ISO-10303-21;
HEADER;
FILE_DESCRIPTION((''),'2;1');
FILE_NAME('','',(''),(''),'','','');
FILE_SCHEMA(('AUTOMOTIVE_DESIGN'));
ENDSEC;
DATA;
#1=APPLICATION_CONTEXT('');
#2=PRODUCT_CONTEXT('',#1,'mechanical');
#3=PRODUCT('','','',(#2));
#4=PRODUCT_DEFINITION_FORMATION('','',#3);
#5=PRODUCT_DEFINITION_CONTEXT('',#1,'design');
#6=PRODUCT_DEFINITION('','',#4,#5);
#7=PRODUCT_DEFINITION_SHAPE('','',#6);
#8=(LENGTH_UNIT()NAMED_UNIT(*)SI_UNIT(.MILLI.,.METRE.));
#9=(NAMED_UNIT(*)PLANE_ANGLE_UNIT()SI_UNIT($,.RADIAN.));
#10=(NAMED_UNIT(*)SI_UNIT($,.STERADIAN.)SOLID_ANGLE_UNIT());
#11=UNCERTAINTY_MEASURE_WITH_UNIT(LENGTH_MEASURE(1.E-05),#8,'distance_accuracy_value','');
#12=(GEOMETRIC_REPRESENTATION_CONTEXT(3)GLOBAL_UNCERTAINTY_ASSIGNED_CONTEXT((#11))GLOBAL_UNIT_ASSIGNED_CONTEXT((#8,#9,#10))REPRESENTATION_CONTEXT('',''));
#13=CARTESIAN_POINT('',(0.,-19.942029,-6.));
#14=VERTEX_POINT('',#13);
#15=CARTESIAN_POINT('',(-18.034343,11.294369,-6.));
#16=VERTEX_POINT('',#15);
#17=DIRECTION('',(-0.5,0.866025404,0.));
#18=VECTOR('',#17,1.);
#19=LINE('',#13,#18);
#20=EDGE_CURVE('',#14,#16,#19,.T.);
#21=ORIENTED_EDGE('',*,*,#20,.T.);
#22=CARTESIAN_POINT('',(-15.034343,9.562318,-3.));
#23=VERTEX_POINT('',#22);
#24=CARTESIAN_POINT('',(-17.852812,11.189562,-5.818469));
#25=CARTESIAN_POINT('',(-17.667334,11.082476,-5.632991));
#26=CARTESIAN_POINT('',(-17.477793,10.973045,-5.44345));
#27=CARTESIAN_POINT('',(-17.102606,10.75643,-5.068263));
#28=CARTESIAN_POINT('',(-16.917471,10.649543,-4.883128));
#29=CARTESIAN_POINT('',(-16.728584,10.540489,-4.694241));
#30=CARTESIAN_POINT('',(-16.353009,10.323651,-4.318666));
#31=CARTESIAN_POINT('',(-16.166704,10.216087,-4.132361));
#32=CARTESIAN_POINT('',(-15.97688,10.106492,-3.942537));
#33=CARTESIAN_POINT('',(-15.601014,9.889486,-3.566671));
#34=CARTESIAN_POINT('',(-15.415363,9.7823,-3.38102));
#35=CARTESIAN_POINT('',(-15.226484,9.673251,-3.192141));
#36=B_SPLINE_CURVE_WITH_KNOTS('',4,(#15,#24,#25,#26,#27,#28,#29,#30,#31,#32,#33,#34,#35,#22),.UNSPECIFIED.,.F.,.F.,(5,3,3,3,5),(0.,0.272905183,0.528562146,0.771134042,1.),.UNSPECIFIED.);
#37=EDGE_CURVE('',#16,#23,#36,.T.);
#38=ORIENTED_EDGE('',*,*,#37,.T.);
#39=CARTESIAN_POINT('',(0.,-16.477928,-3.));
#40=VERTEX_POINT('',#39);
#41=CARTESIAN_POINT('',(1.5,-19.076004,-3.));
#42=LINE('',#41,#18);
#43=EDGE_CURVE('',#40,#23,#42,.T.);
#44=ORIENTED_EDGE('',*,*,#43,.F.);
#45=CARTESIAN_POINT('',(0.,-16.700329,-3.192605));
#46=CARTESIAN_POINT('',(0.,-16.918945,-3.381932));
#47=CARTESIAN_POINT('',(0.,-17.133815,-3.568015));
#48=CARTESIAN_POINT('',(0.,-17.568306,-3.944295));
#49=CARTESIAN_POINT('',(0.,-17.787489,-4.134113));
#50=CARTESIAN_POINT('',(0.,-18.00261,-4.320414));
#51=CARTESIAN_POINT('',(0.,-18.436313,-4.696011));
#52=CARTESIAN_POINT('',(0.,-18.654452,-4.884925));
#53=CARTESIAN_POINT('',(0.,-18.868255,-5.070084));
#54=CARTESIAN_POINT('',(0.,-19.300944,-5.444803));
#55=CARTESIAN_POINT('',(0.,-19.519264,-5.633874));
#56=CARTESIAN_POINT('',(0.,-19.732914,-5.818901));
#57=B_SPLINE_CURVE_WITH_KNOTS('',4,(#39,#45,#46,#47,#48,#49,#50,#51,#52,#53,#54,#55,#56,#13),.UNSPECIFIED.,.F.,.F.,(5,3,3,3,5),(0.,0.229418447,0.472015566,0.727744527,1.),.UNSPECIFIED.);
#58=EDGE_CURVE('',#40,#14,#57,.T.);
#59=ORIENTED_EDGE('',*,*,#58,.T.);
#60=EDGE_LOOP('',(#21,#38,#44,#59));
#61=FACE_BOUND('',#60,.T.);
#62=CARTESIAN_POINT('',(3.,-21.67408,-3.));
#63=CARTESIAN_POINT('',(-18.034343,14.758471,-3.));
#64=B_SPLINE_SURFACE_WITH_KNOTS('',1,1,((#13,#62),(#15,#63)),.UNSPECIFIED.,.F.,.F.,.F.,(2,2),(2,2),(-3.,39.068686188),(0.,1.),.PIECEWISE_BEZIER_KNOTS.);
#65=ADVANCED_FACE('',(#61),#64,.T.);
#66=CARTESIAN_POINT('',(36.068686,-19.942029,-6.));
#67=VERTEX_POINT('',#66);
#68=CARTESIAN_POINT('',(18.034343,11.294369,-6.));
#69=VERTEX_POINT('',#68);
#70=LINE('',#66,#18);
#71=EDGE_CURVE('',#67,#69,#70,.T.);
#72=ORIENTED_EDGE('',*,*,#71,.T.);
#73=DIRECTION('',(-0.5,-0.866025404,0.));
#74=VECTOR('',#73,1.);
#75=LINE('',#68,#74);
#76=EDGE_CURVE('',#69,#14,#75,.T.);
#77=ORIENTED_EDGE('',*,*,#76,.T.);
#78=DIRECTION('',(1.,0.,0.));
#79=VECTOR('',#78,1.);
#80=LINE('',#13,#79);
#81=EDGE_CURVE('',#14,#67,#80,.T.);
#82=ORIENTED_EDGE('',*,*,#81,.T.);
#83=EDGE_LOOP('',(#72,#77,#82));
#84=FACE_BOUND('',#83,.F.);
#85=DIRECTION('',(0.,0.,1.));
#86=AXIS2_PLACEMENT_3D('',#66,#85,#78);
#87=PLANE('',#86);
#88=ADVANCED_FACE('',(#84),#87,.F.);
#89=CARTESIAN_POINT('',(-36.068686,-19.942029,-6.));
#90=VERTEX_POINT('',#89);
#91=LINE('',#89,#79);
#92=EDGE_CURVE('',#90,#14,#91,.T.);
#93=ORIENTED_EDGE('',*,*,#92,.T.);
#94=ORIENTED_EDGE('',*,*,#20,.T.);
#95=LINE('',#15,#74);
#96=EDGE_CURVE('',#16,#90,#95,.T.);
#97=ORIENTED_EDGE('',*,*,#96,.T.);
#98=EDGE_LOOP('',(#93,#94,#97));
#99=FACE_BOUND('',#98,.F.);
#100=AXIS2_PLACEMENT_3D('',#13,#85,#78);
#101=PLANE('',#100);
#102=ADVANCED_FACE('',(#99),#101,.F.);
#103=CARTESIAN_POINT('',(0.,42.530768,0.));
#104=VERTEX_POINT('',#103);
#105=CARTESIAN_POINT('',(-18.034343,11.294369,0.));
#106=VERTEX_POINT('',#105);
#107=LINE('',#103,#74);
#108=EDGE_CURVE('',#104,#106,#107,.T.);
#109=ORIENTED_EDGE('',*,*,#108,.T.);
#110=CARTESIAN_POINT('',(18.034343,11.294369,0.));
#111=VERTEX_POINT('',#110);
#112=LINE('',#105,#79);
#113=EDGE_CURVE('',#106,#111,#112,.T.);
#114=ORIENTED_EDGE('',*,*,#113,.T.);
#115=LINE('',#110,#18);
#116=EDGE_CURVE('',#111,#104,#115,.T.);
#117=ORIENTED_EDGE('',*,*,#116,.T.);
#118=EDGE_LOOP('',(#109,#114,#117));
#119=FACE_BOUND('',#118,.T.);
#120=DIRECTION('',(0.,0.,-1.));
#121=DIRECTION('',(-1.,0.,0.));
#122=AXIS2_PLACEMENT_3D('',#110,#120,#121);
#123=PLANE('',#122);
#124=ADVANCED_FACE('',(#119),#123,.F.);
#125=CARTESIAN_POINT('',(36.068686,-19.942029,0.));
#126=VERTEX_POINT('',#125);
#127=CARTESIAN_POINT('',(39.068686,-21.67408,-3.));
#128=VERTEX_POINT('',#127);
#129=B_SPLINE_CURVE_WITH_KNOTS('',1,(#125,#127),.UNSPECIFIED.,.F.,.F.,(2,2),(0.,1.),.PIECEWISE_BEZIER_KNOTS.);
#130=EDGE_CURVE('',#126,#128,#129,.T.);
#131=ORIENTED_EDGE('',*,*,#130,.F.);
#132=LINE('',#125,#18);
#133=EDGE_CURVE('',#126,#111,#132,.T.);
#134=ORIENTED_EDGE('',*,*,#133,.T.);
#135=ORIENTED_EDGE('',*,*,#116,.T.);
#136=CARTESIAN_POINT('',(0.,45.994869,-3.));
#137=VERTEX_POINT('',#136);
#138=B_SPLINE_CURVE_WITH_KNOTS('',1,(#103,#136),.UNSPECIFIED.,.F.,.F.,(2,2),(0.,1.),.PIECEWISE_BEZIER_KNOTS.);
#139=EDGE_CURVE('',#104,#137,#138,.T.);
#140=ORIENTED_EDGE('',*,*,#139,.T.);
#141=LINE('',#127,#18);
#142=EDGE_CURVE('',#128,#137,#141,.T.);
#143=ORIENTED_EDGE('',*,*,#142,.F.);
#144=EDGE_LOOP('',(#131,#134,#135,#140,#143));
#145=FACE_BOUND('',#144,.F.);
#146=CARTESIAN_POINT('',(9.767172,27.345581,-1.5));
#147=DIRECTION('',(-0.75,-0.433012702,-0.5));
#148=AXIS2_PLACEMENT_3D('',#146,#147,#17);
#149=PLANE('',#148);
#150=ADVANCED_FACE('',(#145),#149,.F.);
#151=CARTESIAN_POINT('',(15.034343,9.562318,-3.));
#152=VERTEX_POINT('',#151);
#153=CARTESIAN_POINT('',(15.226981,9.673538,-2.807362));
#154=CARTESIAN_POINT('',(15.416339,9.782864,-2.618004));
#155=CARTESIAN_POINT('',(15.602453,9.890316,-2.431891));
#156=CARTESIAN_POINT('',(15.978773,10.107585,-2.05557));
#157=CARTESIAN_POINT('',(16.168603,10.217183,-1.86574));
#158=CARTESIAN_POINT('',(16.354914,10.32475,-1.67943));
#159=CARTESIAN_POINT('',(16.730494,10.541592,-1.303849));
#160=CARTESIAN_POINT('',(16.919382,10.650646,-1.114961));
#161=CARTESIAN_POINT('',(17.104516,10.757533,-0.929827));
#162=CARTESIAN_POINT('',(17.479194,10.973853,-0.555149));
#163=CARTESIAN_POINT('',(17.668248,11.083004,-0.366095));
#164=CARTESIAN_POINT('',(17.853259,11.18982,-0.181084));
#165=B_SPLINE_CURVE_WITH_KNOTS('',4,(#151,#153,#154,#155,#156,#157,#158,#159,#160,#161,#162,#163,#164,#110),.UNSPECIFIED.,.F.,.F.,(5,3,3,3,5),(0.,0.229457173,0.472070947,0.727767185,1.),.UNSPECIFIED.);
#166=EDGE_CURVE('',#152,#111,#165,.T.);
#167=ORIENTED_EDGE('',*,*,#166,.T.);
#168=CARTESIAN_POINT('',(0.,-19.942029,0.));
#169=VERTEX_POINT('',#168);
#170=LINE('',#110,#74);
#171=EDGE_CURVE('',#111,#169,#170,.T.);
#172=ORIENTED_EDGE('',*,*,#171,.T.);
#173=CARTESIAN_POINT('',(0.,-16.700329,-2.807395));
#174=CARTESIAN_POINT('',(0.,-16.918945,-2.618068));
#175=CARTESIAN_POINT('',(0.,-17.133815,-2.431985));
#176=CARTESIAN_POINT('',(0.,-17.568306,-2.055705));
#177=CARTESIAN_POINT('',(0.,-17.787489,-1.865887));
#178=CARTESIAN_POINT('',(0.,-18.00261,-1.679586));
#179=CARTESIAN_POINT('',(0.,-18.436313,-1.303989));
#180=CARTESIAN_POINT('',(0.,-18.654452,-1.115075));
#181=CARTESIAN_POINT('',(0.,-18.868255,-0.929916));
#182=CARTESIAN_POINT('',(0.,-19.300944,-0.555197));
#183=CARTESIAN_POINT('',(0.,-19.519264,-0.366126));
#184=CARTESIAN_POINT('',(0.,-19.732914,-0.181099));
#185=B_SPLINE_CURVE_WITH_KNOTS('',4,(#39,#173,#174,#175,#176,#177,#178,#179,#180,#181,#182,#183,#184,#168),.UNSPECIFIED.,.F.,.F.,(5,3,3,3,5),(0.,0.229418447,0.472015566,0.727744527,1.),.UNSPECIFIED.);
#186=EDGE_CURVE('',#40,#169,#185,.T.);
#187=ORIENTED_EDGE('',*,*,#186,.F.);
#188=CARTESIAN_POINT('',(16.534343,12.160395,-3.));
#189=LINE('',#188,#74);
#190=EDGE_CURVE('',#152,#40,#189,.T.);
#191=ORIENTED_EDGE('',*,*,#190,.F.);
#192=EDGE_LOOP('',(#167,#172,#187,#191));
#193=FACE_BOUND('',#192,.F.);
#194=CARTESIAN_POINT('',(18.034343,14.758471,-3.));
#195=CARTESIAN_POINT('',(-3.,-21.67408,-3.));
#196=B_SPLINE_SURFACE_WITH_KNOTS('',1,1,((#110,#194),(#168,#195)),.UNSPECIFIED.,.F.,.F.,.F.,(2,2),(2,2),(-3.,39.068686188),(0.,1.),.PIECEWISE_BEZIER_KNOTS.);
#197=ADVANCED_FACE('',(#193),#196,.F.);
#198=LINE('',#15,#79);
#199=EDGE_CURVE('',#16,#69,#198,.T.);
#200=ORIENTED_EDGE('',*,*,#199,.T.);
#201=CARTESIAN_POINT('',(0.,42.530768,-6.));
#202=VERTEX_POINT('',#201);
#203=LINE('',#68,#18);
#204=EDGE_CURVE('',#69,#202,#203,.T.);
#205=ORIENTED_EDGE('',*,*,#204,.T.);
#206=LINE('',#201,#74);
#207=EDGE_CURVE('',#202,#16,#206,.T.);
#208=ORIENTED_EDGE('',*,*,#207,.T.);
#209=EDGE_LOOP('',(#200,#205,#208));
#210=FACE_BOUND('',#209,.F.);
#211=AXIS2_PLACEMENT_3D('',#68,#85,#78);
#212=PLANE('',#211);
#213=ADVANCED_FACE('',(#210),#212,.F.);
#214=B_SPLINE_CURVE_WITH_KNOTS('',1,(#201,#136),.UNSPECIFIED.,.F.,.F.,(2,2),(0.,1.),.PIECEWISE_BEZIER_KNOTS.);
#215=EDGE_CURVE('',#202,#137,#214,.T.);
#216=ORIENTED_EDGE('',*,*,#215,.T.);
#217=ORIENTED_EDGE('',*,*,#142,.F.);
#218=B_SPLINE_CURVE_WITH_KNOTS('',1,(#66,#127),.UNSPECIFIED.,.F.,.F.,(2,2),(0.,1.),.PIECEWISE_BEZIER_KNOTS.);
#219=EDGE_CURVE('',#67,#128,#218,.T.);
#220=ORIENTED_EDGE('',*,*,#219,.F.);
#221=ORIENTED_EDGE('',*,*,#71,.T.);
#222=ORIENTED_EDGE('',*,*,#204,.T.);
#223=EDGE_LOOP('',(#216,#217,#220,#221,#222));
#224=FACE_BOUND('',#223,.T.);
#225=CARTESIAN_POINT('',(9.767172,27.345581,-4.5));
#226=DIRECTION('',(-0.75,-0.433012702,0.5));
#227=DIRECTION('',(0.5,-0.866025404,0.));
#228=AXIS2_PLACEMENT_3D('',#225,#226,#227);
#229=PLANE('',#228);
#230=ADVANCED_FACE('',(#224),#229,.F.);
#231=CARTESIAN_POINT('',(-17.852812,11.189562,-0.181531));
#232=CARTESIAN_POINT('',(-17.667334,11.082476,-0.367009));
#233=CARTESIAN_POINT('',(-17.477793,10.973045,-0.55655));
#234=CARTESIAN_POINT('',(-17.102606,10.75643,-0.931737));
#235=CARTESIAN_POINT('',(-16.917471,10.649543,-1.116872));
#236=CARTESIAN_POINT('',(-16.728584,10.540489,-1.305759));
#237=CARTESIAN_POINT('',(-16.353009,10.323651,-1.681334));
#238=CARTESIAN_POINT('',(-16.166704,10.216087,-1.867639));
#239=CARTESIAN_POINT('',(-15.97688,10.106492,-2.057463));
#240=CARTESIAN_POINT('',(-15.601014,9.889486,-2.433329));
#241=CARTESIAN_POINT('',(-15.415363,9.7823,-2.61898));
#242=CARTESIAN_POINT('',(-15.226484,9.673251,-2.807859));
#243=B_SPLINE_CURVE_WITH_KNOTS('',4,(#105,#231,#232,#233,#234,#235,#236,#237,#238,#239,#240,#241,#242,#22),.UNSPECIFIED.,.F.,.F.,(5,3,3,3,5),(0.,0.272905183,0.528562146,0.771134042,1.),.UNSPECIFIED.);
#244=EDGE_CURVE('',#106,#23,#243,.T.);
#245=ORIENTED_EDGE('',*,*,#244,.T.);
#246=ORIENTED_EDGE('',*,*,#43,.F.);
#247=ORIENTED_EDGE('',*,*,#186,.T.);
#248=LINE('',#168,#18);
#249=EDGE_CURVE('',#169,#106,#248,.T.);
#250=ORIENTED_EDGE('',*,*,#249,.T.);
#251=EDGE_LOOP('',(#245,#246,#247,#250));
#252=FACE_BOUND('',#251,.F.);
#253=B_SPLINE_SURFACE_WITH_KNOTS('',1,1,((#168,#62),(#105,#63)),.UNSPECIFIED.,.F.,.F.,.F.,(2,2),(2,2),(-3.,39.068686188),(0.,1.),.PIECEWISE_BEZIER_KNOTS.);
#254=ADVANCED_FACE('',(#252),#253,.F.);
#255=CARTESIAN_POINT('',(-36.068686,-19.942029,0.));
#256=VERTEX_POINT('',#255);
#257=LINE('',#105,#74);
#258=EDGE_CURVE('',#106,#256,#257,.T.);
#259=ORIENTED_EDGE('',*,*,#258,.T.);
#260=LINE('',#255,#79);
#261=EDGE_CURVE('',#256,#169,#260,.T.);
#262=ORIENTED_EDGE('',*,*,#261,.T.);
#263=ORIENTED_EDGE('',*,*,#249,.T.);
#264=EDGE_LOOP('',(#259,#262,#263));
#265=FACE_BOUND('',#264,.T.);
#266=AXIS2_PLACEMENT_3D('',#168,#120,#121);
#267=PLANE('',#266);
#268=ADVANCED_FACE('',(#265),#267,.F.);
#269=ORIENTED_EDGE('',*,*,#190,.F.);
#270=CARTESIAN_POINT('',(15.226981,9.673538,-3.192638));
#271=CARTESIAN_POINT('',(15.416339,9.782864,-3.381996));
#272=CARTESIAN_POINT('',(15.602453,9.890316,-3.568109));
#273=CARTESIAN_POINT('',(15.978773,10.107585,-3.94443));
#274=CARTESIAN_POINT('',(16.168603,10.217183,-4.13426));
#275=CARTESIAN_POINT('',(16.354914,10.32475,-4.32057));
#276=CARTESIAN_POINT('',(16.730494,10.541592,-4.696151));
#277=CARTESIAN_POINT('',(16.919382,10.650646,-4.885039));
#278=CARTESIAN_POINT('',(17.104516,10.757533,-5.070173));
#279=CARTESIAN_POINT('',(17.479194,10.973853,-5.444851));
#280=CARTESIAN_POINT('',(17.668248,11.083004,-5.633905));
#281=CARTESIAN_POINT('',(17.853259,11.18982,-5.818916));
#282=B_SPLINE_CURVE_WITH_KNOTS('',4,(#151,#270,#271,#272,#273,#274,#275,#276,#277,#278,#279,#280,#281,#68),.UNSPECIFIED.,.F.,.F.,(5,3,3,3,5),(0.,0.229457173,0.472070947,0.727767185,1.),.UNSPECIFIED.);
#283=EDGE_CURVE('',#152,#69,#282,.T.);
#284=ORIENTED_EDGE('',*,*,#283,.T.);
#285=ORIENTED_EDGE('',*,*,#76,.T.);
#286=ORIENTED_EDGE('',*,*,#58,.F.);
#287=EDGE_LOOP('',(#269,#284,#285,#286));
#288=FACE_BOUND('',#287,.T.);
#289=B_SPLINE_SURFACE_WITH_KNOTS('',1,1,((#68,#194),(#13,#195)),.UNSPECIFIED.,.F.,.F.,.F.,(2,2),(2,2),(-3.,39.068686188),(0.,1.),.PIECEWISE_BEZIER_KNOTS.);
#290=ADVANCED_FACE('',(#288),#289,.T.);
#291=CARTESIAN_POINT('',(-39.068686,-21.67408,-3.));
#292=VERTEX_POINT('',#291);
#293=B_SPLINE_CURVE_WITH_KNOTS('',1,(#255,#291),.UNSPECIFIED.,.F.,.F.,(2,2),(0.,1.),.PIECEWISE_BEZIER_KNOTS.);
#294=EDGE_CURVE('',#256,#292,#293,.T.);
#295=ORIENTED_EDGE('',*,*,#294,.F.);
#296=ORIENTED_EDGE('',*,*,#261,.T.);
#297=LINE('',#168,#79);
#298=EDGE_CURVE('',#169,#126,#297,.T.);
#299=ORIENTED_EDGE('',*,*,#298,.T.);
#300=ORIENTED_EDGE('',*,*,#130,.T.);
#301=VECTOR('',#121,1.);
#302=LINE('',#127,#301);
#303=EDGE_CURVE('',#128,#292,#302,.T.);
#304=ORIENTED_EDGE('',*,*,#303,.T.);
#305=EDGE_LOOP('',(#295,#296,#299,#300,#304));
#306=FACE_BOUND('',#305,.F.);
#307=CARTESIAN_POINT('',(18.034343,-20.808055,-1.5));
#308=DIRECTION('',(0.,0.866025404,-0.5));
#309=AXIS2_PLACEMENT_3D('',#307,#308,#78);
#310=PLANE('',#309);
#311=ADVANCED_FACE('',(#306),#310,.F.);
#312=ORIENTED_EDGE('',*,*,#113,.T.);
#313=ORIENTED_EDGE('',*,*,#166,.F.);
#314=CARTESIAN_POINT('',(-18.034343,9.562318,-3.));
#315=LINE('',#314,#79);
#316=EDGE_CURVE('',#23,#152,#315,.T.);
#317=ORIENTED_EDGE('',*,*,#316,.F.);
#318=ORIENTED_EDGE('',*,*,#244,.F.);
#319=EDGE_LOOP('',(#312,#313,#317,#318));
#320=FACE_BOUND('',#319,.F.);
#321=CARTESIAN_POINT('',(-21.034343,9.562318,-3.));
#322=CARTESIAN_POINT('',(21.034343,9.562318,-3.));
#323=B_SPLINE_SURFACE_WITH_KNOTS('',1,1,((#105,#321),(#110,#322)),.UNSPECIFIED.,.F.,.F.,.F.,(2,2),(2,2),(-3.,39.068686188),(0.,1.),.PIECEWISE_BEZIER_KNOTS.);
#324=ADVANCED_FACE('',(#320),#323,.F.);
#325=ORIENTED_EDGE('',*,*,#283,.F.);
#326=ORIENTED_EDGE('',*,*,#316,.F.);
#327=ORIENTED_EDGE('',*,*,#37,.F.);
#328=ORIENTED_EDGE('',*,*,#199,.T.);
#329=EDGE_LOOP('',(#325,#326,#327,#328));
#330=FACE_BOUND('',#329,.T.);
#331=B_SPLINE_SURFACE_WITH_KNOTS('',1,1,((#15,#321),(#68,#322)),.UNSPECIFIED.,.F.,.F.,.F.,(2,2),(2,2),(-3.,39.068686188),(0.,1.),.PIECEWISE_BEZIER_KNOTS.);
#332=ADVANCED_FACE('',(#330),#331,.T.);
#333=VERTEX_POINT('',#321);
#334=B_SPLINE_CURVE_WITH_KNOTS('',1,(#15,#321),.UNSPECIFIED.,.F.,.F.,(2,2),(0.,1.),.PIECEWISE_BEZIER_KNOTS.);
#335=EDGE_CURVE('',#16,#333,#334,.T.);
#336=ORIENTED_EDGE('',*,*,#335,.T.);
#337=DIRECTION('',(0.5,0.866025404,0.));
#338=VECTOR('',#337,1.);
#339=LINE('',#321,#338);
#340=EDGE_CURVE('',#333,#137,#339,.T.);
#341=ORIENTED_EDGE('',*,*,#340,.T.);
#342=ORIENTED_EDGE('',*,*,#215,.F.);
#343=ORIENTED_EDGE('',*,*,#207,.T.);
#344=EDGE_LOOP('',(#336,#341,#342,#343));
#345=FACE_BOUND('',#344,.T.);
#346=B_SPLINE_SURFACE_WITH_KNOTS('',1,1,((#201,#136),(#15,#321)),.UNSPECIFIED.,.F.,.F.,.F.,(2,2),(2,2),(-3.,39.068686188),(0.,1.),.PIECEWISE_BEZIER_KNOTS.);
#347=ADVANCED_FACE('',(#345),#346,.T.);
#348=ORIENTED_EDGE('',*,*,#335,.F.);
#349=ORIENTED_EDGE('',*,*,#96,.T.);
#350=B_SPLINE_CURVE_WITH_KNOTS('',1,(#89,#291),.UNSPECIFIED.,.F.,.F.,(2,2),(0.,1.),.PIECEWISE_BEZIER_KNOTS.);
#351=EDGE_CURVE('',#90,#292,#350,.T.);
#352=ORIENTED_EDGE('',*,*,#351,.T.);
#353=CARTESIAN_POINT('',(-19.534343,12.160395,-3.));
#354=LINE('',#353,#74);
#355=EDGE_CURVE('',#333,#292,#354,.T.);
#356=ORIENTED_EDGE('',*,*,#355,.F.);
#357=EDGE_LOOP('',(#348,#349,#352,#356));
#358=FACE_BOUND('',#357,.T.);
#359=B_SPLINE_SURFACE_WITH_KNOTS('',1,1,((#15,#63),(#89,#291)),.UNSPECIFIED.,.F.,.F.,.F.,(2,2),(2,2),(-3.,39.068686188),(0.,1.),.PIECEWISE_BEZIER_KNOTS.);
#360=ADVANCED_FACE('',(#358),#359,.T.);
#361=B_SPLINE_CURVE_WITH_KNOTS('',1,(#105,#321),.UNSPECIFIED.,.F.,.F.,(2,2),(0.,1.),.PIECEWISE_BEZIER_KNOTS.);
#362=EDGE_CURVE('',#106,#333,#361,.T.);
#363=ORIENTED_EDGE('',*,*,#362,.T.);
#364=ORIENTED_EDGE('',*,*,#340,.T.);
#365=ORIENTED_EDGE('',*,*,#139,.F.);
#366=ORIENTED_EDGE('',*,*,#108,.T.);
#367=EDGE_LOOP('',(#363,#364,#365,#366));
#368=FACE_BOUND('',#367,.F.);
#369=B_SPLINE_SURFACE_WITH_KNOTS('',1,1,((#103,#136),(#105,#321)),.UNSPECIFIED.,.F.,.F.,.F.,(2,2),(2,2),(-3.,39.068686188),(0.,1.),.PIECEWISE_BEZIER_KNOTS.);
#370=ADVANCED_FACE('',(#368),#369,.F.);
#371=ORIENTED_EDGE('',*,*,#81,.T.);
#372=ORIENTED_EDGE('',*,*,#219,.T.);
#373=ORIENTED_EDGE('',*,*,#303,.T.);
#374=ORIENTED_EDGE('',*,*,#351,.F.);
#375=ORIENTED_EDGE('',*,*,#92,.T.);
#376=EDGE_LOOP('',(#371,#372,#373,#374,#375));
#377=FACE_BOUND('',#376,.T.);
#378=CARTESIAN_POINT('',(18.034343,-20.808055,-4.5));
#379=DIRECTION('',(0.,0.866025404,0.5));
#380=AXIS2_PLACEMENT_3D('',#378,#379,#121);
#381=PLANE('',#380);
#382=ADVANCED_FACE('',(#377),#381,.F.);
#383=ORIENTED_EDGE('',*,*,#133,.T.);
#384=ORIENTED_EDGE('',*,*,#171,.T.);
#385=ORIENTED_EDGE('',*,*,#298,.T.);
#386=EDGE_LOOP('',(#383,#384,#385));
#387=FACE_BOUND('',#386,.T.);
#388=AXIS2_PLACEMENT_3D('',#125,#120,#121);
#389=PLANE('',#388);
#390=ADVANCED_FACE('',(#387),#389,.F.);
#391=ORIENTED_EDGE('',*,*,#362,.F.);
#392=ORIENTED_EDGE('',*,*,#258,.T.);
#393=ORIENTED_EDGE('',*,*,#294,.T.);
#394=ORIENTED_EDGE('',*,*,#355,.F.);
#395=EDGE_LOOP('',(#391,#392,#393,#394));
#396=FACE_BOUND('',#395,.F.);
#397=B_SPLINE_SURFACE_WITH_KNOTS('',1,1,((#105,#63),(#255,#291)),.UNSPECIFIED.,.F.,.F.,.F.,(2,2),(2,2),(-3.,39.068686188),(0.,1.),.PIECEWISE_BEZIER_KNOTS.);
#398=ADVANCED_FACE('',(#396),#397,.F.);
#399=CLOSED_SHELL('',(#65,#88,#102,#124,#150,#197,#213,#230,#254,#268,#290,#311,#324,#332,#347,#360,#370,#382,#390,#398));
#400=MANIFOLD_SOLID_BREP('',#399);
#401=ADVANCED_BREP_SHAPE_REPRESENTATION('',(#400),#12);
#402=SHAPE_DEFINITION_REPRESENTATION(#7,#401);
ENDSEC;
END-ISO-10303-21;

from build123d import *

# Parameters (mm, degrees)
F1_DEPTH = 3
F1_TAPER = -30


with BuildPart() as f1:
    # F0 (on Top) → F1 (new body)
    with BuildSketch(Plane.XY):
        Polygon((36.0686861882, -19.9420294206), (18.0343430941, 11.2943690995), (0, -19.9420294206), align=None)
        Polygon((0, -19.9420294206), (-18.0343430941, 11.2943690995), (-36.0686861882, -19.9420294206), align=None)
        Polygon((18.0343430941, 11.2943690995), (0, 42.5307676196), (-18.0343430941, 11.2943690995), align=None)
    extrude(amount=-F1_DEPTH, taper=F1_TAPER)

    # F2: union 

    # F3: F1 across face


with BuildPart() as f1_1:
    add(f1.part)
    add(f1.part.mirror(Plane(origin=(0, 0.8822362595, -3), x_dir=(1, 0, 0), z_dir=(0, 0, -1))))


solid = f1_1.part
